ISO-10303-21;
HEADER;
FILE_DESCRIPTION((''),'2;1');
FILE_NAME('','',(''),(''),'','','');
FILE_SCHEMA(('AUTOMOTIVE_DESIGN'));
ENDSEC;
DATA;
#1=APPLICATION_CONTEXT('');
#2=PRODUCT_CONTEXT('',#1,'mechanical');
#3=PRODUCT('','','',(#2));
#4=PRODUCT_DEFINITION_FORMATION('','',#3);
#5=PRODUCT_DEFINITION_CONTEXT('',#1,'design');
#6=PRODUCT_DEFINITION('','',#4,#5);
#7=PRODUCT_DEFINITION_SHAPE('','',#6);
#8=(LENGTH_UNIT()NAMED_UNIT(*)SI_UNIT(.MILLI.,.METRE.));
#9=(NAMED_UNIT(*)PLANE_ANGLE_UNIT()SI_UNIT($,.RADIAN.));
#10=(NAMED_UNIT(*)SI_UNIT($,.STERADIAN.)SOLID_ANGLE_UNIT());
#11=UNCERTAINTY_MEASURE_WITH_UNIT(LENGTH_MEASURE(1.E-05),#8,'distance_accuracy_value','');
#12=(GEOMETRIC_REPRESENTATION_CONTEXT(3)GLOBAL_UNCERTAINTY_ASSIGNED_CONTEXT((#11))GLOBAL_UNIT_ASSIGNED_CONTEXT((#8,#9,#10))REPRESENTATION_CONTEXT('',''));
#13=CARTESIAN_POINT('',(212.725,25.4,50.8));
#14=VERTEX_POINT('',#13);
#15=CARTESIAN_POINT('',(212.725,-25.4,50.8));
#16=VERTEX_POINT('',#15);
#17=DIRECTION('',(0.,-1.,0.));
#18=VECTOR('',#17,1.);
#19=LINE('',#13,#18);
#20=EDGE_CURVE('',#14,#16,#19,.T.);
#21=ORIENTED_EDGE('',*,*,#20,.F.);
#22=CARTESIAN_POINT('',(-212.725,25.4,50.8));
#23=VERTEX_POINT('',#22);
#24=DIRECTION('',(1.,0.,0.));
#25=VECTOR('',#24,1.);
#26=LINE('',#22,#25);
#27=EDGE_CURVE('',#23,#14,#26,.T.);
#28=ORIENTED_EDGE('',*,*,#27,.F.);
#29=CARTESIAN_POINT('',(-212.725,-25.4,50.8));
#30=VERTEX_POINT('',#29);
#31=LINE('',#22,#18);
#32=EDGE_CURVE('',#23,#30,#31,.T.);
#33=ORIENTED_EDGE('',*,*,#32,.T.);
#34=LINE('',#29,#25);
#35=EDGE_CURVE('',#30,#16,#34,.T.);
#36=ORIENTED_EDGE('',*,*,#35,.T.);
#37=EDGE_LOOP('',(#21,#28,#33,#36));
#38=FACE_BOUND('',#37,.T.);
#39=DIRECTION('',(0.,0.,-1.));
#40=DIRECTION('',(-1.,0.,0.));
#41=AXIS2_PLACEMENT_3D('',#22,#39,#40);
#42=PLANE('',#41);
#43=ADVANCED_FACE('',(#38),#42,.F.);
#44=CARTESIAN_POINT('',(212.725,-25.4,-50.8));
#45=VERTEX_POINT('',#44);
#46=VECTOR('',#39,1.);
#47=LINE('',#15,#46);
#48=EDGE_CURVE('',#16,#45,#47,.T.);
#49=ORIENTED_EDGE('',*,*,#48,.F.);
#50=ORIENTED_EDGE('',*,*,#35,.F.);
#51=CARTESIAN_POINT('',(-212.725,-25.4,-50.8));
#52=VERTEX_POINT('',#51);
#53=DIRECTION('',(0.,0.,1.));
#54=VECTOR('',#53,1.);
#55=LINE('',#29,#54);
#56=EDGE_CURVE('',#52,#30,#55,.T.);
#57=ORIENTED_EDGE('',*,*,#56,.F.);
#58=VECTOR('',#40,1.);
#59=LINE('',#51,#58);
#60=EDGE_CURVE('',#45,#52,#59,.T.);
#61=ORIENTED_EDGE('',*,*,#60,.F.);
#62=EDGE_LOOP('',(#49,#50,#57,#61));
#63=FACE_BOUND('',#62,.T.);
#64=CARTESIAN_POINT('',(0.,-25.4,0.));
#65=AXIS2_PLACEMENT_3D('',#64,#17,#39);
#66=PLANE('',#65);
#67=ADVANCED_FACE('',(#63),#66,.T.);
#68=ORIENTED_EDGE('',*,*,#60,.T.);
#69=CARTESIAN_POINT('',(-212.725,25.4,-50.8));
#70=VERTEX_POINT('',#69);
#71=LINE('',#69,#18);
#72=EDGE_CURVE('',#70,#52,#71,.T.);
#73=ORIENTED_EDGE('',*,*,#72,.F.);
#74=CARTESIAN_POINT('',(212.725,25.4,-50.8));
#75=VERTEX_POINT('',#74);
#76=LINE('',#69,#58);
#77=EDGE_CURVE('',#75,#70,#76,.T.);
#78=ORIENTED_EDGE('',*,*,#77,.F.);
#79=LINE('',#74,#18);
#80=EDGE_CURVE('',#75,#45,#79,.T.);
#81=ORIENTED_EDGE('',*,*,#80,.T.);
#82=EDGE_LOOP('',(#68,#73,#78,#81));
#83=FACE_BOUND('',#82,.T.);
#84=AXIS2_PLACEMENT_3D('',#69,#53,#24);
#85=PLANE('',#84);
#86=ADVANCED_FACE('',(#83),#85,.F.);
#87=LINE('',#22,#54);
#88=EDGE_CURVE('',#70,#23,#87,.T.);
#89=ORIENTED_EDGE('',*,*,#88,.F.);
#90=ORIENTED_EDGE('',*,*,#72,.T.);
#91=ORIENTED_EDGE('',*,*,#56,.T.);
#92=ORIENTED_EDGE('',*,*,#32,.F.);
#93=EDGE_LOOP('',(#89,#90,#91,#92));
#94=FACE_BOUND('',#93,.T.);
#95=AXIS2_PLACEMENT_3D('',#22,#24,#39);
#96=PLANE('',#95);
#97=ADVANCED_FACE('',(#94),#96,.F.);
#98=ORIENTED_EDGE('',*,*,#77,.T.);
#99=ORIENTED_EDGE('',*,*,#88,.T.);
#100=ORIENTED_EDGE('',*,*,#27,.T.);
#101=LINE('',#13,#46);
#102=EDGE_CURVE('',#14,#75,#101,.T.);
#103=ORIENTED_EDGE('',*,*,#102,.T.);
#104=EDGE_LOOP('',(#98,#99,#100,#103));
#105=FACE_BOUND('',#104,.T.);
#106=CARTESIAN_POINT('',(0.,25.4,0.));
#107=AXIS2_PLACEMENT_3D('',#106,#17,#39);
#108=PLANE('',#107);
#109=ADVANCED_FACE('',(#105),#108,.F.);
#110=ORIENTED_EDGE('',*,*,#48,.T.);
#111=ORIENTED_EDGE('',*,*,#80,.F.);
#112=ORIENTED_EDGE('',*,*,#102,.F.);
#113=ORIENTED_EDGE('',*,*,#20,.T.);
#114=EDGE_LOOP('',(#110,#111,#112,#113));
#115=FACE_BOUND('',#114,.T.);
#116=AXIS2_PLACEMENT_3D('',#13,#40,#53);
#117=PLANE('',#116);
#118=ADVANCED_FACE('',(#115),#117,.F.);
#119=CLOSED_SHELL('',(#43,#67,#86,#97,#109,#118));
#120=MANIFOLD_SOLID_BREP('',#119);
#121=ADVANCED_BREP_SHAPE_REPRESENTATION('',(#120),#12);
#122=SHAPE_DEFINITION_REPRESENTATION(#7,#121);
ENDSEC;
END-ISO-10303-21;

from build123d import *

# Parameters (mm, degrees)
SKETCH1_W           = 425.45
SKETCH1_H           = 101.6
BOSS_EXTRUDE1_DEPTH = 25.4


with BuildPart() as part:
    # Sketch1 → Boss-Extrude1 (new body, symmetric)
    with BuildSketch(Plane(origin=(0, 0, 0), x_dir=(1, 0, 0), z_dir=(0, 1, 0))):
        Rectangle(SKETCH1_W, SKETCH1_H)
    extrude(amount=BOSS_EXTRUDE1_DEPTH, both=True)


solid = part.part
